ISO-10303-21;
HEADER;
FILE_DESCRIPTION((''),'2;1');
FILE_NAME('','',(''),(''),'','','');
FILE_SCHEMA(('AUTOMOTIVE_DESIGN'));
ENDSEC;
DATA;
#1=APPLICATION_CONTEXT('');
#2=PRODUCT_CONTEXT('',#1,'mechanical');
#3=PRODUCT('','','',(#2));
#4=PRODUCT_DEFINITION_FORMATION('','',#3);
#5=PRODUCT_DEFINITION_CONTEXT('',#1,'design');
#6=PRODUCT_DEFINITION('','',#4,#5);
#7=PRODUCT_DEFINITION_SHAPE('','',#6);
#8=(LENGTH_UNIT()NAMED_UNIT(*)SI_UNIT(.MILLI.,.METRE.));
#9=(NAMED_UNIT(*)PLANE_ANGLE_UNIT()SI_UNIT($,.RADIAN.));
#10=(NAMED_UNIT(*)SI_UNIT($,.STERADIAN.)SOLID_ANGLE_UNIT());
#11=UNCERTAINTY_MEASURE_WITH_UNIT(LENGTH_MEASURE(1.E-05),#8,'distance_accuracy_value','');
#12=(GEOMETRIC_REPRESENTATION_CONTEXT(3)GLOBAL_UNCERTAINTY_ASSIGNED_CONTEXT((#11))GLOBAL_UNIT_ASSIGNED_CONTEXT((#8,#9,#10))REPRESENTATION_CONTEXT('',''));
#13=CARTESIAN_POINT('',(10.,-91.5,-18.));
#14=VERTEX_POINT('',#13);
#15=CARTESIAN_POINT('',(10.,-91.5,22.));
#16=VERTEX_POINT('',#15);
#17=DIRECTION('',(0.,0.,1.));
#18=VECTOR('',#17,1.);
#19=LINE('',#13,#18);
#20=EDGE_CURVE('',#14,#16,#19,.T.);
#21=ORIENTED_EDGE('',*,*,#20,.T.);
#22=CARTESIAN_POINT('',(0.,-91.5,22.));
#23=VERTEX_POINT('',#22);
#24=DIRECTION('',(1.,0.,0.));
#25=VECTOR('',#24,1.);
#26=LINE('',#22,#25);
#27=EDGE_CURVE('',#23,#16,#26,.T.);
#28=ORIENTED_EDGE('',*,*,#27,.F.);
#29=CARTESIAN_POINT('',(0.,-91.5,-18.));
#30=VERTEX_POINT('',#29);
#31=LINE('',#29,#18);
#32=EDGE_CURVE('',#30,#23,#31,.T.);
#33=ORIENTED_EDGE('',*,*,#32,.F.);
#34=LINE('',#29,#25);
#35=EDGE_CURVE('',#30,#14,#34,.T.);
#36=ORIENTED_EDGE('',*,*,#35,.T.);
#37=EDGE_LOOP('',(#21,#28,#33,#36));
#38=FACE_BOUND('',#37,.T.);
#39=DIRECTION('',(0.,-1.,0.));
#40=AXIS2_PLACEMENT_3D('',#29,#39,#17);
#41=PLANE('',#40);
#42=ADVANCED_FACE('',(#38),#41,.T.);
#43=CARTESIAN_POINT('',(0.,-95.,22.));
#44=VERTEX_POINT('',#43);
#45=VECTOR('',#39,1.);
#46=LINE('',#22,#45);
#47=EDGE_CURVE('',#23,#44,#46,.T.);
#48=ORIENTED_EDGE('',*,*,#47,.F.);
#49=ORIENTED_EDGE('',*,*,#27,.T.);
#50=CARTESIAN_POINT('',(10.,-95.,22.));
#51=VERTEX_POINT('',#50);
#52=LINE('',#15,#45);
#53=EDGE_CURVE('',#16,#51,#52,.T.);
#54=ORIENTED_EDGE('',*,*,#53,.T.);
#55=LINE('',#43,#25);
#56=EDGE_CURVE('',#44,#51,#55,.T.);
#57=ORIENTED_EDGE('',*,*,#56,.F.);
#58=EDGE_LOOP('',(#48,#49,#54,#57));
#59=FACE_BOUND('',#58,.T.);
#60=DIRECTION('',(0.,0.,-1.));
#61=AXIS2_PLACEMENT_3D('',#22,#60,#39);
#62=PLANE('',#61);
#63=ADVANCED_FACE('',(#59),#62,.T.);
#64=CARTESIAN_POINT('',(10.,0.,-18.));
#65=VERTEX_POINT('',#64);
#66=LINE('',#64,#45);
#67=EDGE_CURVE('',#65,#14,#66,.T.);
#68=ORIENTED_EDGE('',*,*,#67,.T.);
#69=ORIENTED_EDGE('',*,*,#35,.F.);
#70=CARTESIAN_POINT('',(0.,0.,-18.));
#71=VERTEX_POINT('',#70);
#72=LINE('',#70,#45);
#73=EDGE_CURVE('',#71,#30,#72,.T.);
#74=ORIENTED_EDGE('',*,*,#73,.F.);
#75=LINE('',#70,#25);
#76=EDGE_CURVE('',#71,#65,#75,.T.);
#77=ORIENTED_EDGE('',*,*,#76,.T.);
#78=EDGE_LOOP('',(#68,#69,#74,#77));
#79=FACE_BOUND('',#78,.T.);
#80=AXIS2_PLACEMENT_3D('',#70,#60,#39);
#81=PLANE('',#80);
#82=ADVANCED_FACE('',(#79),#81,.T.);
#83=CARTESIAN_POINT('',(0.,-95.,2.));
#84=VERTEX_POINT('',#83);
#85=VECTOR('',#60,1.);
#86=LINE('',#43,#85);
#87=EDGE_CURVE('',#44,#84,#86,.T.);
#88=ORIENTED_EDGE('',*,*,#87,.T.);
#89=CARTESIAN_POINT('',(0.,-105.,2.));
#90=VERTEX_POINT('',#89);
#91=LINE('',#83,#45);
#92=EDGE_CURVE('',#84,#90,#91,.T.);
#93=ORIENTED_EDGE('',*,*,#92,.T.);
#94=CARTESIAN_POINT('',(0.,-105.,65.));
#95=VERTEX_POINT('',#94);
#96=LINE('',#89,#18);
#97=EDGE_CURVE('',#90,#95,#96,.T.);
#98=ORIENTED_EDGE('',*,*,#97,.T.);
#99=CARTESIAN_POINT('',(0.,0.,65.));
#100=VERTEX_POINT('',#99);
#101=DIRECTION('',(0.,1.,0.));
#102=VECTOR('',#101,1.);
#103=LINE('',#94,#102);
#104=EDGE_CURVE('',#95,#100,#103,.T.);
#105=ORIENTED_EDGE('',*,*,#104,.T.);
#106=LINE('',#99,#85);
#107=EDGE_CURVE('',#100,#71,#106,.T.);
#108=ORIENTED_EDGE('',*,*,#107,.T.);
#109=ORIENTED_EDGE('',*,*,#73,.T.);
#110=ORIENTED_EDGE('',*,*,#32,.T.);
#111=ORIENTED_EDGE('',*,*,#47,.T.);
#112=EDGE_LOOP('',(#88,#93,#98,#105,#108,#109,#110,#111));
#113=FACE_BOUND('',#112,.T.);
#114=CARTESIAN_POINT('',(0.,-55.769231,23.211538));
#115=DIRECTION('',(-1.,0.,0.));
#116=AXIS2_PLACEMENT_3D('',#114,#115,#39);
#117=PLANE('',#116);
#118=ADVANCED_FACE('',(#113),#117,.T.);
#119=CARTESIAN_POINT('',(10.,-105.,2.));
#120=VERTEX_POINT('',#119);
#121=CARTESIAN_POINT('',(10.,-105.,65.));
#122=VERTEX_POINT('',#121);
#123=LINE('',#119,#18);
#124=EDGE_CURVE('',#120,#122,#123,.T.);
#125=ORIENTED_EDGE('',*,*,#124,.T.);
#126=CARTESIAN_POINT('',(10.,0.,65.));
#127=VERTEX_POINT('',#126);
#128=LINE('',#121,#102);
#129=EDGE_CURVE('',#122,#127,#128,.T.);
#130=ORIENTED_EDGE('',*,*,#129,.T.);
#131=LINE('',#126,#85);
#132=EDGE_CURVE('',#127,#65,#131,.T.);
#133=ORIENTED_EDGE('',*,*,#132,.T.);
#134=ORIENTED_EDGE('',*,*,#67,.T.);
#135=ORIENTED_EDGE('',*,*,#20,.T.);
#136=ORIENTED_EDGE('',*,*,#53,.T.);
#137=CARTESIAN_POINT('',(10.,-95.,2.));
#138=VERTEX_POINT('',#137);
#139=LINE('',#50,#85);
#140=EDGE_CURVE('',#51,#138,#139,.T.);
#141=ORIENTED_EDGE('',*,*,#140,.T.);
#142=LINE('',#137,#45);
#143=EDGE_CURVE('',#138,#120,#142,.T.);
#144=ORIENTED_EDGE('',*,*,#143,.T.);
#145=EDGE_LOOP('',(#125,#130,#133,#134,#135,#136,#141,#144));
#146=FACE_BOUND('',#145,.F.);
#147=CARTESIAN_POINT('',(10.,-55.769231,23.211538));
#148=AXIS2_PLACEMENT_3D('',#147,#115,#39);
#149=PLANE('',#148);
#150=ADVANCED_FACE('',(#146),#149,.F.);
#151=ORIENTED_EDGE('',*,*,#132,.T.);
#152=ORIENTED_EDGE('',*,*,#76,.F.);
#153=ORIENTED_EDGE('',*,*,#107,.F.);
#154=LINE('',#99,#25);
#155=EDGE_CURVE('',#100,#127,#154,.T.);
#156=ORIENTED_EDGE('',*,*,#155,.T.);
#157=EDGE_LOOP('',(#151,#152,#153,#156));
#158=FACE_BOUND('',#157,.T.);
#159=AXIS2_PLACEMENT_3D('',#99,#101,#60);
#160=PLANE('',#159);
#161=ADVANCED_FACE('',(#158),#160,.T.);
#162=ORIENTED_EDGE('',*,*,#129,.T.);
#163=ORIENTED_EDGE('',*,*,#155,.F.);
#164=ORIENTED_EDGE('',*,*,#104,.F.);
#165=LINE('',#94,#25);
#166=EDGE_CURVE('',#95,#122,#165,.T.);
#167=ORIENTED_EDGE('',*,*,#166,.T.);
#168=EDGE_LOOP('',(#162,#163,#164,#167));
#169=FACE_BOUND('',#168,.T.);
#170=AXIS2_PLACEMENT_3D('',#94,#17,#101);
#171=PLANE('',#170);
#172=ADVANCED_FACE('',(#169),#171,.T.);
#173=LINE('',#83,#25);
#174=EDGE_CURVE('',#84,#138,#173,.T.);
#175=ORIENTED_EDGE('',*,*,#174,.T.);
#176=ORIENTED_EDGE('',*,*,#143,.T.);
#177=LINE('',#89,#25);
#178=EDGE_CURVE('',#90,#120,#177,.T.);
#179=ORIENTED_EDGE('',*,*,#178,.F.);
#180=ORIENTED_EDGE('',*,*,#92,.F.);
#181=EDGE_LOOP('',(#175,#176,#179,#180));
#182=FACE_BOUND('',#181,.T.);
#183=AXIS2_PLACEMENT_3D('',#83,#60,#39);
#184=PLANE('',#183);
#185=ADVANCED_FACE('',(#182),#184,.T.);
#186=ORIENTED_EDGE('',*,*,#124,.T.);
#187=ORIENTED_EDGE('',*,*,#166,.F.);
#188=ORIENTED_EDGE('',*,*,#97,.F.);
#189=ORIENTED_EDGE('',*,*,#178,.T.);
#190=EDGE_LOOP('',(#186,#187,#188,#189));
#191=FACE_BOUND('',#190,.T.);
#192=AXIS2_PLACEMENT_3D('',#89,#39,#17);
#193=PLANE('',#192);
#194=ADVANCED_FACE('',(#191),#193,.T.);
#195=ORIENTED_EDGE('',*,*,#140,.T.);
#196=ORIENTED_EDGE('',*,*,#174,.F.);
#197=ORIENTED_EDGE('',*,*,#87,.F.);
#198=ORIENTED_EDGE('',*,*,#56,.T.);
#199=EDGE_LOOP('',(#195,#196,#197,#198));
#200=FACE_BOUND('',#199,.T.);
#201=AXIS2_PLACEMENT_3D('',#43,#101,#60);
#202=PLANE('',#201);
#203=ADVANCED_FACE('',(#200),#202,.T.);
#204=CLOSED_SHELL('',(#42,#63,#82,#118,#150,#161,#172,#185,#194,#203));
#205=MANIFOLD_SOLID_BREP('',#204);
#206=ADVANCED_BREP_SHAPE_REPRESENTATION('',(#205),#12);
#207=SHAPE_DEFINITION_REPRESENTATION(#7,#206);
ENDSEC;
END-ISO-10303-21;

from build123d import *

# Parameters (mm, degrees)
EXTRUDE_DEPTH = 10


with BuildPart() as part:
    # Sketch → Extrude (new body)
    with BuildSketch(Plane.YZ):
        Polygon((0, -18), (-91.5, -18), (-91.5, 22), (-95, 22), (-95, 2), (-105, 2), (-105, 65), (0, 65), align=None)
    extrude(amount=EXTRUDE_DEPTH)


solid = part.part
